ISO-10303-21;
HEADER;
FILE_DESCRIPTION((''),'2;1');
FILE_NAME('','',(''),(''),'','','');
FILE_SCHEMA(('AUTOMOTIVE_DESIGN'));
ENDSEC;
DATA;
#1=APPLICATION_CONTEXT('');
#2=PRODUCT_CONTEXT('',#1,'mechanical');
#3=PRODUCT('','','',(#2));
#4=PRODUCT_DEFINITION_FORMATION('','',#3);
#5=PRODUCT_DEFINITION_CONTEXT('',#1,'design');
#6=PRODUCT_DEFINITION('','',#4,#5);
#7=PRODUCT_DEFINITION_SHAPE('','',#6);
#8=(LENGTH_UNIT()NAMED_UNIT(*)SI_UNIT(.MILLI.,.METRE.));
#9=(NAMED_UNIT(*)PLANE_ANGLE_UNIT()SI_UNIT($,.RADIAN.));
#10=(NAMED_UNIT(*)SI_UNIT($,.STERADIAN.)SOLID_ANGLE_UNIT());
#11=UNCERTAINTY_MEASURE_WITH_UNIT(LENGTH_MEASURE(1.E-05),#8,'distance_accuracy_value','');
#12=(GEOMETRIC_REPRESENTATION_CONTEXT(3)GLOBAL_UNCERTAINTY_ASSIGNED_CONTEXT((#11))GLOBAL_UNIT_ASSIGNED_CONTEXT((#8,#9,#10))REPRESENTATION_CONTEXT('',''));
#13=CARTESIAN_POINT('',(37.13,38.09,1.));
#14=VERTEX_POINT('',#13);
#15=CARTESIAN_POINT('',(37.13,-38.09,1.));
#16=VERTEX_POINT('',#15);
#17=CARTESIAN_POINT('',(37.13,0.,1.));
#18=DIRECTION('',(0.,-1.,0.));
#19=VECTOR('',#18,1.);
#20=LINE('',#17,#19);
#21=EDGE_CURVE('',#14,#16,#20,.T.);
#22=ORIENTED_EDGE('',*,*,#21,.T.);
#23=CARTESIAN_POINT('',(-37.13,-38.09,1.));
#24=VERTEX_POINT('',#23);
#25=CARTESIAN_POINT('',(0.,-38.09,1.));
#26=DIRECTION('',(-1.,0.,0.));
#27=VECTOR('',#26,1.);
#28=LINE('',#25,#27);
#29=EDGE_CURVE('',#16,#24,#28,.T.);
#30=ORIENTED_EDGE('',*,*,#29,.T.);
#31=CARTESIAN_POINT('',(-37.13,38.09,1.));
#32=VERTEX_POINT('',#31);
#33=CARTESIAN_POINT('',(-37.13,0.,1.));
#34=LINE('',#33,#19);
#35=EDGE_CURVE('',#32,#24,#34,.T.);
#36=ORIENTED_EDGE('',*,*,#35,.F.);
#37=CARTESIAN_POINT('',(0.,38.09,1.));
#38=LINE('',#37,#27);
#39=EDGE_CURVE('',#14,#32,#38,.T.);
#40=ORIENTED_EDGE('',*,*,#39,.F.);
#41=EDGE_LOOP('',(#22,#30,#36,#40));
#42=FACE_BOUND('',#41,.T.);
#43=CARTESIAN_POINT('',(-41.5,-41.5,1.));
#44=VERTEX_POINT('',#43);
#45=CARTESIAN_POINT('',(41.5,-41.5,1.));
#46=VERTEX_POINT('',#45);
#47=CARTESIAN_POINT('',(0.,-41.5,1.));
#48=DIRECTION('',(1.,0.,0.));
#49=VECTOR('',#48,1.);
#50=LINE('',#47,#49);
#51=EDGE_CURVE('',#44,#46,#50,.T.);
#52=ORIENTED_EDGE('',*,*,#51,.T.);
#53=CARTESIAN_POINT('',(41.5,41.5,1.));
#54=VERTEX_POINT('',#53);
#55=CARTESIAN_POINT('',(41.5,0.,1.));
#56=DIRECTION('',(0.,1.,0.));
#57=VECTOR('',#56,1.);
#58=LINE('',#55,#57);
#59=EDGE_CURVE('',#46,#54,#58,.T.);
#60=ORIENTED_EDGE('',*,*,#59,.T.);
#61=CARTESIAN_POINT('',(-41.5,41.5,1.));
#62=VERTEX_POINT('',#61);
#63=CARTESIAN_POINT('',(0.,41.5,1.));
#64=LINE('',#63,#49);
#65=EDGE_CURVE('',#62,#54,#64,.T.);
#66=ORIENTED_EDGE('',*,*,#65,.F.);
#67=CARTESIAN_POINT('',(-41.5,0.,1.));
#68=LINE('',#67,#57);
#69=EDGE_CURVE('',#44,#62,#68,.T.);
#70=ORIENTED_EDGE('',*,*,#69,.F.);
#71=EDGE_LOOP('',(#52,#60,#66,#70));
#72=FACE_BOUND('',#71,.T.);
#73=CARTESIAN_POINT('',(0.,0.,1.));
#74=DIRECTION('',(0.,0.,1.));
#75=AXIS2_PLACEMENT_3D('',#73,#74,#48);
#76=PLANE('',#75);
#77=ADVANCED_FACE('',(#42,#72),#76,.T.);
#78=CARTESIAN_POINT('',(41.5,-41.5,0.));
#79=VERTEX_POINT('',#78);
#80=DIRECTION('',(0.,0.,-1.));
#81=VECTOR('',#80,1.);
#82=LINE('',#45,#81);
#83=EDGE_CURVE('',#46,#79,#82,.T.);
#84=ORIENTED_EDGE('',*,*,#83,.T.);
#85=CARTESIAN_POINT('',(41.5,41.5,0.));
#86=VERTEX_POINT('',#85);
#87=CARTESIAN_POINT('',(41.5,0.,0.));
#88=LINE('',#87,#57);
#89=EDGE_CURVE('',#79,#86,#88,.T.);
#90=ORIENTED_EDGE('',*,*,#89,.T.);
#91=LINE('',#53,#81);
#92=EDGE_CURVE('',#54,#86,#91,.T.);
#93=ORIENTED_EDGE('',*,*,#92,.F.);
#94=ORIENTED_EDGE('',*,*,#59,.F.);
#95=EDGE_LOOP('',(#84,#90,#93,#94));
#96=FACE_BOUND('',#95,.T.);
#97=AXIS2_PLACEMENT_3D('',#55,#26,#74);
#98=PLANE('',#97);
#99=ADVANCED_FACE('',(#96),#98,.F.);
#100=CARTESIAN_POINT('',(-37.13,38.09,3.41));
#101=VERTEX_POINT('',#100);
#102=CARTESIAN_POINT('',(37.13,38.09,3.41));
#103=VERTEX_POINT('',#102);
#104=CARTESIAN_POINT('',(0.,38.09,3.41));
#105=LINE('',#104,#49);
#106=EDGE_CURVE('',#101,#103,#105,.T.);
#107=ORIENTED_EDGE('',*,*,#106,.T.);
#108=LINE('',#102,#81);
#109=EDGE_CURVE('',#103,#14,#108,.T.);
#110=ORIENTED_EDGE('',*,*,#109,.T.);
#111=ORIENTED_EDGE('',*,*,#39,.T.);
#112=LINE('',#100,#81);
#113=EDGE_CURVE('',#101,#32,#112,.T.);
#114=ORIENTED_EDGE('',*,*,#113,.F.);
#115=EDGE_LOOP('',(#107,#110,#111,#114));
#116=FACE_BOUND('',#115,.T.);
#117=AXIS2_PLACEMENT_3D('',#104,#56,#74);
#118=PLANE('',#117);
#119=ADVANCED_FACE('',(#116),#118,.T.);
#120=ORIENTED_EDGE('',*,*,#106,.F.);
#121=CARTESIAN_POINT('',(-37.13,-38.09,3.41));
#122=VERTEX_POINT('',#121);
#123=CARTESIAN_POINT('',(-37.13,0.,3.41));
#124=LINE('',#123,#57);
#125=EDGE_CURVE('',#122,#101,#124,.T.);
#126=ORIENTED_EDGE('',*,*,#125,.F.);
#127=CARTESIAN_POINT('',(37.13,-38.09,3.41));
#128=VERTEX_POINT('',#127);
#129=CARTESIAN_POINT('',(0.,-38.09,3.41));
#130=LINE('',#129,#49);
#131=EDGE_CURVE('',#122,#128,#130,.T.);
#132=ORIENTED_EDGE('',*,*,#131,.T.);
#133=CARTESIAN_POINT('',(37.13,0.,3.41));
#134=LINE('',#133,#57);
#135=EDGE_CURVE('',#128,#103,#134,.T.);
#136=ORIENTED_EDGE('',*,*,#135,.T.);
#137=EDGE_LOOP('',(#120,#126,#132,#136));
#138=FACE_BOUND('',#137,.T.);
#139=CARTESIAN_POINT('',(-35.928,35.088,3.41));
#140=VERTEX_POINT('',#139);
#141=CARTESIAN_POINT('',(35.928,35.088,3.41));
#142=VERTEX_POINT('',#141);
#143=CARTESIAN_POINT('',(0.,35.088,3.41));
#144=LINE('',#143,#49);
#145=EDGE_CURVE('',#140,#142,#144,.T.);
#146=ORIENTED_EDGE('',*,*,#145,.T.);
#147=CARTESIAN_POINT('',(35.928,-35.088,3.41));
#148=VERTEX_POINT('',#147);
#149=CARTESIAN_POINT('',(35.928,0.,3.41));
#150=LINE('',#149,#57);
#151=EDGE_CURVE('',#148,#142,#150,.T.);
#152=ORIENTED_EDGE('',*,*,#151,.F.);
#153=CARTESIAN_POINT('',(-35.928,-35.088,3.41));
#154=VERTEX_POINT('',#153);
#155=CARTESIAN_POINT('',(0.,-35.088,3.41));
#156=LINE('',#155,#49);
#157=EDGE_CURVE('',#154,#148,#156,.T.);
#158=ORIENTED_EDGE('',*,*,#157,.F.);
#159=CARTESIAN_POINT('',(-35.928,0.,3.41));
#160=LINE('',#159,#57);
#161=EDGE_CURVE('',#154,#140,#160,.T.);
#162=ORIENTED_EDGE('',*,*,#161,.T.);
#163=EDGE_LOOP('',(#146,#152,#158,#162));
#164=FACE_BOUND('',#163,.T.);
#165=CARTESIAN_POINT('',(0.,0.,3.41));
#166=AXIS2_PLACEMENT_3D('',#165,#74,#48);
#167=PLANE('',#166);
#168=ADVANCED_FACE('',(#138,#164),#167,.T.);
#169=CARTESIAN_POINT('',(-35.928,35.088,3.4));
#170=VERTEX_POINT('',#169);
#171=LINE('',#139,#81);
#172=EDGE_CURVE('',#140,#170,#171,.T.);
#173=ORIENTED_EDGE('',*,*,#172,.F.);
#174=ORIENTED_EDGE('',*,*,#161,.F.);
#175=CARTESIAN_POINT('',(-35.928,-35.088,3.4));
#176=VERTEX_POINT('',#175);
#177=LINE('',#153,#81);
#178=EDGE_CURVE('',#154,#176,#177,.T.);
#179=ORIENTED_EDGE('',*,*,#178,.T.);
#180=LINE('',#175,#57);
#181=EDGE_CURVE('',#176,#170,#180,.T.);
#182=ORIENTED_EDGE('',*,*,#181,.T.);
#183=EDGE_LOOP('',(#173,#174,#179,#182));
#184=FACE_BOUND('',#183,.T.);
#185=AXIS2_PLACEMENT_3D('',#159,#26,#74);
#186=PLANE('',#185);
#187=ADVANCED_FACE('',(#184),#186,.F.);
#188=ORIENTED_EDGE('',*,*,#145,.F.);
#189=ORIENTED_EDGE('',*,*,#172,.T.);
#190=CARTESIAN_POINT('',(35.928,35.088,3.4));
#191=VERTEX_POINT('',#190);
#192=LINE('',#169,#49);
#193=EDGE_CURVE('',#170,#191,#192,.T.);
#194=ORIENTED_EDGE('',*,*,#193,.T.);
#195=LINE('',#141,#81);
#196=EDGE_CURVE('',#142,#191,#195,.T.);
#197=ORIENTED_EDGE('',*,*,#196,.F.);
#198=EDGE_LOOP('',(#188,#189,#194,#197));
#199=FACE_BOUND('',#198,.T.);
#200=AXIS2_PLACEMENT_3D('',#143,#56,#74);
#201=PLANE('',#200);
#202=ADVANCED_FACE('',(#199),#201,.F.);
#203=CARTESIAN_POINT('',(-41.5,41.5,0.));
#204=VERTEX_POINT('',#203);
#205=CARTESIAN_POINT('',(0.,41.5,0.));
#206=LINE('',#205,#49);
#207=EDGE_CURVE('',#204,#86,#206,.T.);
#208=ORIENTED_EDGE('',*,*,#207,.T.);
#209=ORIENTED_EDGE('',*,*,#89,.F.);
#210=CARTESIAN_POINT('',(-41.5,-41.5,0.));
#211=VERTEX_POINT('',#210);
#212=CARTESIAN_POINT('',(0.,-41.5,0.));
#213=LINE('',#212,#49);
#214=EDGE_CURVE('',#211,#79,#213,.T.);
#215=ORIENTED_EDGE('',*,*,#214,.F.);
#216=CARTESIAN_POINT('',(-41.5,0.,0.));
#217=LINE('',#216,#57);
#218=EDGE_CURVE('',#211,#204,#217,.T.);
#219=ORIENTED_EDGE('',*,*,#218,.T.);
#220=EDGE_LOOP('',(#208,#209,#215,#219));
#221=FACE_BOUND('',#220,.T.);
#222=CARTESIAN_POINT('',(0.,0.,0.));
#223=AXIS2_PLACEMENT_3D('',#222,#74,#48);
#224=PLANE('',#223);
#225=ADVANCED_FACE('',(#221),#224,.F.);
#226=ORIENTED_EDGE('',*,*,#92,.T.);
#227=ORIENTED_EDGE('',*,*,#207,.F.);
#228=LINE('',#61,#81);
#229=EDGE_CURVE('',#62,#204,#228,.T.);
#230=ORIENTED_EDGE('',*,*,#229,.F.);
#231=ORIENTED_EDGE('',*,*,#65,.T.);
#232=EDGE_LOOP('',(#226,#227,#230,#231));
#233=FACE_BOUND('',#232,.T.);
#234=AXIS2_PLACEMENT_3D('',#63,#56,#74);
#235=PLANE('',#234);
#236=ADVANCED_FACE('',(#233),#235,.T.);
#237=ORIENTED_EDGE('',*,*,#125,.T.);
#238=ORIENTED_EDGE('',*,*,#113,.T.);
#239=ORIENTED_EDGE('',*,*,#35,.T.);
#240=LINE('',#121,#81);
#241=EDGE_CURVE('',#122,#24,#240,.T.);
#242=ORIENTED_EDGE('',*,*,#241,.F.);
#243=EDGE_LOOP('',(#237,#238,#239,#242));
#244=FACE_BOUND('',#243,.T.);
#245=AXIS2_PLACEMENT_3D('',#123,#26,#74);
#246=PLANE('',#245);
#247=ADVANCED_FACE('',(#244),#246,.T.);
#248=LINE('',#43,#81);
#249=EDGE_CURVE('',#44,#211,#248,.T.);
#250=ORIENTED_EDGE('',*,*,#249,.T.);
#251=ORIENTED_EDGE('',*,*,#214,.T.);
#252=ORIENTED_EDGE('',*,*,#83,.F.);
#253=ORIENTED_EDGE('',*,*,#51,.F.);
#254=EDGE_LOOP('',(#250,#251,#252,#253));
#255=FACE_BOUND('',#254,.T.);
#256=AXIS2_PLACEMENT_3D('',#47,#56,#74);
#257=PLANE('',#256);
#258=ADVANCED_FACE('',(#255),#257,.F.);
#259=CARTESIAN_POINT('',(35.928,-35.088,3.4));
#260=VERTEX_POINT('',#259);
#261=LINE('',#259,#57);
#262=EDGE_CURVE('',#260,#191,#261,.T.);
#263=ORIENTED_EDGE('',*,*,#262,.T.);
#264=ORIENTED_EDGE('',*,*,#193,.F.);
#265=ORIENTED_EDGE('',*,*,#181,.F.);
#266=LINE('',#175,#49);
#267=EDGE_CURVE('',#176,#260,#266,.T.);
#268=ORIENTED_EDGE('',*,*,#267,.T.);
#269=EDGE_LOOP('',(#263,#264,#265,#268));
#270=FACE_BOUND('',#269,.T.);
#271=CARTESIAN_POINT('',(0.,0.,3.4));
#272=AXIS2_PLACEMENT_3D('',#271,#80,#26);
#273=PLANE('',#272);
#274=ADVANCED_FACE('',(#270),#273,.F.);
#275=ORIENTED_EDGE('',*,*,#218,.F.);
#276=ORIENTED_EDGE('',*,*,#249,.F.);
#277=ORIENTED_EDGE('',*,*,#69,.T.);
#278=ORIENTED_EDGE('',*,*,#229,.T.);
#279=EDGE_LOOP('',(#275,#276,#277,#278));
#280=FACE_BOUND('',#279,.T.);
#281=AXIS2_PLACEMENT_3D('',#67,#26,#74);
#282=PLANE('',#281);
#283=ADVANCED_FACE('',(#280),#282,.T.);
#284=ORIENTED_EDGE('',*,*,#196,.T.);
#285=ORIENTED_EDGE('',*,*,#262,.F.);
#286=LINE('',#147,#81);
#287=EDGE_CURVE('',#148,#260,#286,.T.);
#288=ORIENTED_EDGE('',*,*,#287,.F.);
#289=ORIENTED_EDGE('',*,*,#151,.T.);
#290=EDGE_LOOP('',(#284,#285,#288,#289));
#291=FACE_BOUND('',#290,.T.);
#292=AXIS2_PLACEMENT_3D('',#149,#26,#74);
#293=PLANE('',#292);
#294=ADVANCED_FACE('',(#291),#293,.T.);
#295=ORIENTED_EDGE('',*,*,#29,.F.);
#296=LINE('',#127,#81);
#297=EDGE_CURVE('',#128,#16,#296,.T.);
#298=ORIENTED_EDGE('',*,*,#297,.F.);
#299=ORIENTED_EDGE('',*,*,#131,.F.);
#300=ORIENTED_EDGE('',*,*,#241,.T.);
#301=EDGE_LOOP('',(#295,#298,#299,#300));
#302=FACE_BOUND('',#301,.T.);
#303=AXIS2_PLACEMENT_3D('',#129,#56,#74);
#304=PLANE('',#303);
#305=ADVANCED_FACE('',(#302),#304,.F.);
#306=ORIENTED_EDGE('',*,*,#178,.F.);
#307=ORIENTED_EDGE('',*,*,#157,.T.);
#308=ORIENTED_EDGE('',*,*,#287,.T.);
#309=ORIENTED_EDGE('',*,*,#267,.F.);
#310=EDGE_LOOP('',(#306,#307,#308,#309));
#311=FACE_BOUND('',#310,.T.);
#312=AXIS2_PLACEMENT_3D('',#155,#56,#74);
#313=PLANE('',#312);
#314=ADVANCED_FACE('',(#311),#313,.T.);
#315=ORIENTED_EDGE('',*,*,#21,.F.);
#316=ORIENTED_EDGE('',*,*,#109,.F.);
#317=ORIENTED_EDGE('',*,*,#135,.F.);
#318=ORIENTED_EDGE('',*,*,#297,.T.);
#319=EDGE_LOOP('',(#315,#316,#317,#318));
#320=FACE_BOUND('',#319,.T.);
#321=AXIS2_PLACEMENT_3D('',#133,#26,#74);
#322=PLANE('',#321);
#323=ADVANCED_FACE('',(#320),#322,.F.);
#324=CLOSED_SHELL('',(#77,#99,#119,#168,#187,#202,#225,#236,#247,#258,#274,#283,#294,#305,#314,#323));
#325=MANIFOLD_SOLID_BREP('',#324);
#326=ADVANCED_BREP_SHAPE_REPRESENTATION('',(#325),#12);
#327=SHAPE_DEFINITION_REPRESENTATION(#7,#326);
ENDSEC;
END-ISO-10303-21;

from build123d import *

# Parameters (mm, degrees)
SKETCH_1_W      = 83
SKETCH_1_H      = 83
EXTRUDE_2_DEPTH = 1
SKETCH_1_5_W    = 71.856
SKETCH_1_5_H    = 70.176
EXTRUDE_5_DEPTH = 3.4
SKETCH_1_6_W    = 74.26
SKETCH_1_6_H    = 76.18
SKETCH_1_6_W_2  = 71.856
SKETCH_1_6_H_2  = 70.176
EXTRUDE_6_DEPTH = 3.41


with BuildPart() as part:
    # Эскиз1 → Бобышка-Вытянуть2 (new body)
    with BuildSketch(Plane.XY):
        Rectangle(SKETCH_1_W, SKETCH_1_H)
    extrude(amount=EXTRUDE_2_DEPTH)

    # Эскиз1<5> → Бобышка-Вытянуть5 (add)
    with BuildSketch(Plane.XY):
        Rectangle(SKETCH_1_5_W, SKETCH_1_5_H)
    extrude(amount=EXTRUDE_5_DEPTH)

    # Эскиз1<6> → Бобышка-Вытянуть6 (add)
    with BuildSketch(Plane.XY):
        Rectangle(SKETCH_1_6_W, SKETCH_1_6_H)
        Rectangle(SKETCH_1_6_W_2, SKETCH_1_6_H_2, mode=Mode.SUBTRACT)
    extrude(amount=EXTRUDE_6_DEPTH)


solid = part.part
